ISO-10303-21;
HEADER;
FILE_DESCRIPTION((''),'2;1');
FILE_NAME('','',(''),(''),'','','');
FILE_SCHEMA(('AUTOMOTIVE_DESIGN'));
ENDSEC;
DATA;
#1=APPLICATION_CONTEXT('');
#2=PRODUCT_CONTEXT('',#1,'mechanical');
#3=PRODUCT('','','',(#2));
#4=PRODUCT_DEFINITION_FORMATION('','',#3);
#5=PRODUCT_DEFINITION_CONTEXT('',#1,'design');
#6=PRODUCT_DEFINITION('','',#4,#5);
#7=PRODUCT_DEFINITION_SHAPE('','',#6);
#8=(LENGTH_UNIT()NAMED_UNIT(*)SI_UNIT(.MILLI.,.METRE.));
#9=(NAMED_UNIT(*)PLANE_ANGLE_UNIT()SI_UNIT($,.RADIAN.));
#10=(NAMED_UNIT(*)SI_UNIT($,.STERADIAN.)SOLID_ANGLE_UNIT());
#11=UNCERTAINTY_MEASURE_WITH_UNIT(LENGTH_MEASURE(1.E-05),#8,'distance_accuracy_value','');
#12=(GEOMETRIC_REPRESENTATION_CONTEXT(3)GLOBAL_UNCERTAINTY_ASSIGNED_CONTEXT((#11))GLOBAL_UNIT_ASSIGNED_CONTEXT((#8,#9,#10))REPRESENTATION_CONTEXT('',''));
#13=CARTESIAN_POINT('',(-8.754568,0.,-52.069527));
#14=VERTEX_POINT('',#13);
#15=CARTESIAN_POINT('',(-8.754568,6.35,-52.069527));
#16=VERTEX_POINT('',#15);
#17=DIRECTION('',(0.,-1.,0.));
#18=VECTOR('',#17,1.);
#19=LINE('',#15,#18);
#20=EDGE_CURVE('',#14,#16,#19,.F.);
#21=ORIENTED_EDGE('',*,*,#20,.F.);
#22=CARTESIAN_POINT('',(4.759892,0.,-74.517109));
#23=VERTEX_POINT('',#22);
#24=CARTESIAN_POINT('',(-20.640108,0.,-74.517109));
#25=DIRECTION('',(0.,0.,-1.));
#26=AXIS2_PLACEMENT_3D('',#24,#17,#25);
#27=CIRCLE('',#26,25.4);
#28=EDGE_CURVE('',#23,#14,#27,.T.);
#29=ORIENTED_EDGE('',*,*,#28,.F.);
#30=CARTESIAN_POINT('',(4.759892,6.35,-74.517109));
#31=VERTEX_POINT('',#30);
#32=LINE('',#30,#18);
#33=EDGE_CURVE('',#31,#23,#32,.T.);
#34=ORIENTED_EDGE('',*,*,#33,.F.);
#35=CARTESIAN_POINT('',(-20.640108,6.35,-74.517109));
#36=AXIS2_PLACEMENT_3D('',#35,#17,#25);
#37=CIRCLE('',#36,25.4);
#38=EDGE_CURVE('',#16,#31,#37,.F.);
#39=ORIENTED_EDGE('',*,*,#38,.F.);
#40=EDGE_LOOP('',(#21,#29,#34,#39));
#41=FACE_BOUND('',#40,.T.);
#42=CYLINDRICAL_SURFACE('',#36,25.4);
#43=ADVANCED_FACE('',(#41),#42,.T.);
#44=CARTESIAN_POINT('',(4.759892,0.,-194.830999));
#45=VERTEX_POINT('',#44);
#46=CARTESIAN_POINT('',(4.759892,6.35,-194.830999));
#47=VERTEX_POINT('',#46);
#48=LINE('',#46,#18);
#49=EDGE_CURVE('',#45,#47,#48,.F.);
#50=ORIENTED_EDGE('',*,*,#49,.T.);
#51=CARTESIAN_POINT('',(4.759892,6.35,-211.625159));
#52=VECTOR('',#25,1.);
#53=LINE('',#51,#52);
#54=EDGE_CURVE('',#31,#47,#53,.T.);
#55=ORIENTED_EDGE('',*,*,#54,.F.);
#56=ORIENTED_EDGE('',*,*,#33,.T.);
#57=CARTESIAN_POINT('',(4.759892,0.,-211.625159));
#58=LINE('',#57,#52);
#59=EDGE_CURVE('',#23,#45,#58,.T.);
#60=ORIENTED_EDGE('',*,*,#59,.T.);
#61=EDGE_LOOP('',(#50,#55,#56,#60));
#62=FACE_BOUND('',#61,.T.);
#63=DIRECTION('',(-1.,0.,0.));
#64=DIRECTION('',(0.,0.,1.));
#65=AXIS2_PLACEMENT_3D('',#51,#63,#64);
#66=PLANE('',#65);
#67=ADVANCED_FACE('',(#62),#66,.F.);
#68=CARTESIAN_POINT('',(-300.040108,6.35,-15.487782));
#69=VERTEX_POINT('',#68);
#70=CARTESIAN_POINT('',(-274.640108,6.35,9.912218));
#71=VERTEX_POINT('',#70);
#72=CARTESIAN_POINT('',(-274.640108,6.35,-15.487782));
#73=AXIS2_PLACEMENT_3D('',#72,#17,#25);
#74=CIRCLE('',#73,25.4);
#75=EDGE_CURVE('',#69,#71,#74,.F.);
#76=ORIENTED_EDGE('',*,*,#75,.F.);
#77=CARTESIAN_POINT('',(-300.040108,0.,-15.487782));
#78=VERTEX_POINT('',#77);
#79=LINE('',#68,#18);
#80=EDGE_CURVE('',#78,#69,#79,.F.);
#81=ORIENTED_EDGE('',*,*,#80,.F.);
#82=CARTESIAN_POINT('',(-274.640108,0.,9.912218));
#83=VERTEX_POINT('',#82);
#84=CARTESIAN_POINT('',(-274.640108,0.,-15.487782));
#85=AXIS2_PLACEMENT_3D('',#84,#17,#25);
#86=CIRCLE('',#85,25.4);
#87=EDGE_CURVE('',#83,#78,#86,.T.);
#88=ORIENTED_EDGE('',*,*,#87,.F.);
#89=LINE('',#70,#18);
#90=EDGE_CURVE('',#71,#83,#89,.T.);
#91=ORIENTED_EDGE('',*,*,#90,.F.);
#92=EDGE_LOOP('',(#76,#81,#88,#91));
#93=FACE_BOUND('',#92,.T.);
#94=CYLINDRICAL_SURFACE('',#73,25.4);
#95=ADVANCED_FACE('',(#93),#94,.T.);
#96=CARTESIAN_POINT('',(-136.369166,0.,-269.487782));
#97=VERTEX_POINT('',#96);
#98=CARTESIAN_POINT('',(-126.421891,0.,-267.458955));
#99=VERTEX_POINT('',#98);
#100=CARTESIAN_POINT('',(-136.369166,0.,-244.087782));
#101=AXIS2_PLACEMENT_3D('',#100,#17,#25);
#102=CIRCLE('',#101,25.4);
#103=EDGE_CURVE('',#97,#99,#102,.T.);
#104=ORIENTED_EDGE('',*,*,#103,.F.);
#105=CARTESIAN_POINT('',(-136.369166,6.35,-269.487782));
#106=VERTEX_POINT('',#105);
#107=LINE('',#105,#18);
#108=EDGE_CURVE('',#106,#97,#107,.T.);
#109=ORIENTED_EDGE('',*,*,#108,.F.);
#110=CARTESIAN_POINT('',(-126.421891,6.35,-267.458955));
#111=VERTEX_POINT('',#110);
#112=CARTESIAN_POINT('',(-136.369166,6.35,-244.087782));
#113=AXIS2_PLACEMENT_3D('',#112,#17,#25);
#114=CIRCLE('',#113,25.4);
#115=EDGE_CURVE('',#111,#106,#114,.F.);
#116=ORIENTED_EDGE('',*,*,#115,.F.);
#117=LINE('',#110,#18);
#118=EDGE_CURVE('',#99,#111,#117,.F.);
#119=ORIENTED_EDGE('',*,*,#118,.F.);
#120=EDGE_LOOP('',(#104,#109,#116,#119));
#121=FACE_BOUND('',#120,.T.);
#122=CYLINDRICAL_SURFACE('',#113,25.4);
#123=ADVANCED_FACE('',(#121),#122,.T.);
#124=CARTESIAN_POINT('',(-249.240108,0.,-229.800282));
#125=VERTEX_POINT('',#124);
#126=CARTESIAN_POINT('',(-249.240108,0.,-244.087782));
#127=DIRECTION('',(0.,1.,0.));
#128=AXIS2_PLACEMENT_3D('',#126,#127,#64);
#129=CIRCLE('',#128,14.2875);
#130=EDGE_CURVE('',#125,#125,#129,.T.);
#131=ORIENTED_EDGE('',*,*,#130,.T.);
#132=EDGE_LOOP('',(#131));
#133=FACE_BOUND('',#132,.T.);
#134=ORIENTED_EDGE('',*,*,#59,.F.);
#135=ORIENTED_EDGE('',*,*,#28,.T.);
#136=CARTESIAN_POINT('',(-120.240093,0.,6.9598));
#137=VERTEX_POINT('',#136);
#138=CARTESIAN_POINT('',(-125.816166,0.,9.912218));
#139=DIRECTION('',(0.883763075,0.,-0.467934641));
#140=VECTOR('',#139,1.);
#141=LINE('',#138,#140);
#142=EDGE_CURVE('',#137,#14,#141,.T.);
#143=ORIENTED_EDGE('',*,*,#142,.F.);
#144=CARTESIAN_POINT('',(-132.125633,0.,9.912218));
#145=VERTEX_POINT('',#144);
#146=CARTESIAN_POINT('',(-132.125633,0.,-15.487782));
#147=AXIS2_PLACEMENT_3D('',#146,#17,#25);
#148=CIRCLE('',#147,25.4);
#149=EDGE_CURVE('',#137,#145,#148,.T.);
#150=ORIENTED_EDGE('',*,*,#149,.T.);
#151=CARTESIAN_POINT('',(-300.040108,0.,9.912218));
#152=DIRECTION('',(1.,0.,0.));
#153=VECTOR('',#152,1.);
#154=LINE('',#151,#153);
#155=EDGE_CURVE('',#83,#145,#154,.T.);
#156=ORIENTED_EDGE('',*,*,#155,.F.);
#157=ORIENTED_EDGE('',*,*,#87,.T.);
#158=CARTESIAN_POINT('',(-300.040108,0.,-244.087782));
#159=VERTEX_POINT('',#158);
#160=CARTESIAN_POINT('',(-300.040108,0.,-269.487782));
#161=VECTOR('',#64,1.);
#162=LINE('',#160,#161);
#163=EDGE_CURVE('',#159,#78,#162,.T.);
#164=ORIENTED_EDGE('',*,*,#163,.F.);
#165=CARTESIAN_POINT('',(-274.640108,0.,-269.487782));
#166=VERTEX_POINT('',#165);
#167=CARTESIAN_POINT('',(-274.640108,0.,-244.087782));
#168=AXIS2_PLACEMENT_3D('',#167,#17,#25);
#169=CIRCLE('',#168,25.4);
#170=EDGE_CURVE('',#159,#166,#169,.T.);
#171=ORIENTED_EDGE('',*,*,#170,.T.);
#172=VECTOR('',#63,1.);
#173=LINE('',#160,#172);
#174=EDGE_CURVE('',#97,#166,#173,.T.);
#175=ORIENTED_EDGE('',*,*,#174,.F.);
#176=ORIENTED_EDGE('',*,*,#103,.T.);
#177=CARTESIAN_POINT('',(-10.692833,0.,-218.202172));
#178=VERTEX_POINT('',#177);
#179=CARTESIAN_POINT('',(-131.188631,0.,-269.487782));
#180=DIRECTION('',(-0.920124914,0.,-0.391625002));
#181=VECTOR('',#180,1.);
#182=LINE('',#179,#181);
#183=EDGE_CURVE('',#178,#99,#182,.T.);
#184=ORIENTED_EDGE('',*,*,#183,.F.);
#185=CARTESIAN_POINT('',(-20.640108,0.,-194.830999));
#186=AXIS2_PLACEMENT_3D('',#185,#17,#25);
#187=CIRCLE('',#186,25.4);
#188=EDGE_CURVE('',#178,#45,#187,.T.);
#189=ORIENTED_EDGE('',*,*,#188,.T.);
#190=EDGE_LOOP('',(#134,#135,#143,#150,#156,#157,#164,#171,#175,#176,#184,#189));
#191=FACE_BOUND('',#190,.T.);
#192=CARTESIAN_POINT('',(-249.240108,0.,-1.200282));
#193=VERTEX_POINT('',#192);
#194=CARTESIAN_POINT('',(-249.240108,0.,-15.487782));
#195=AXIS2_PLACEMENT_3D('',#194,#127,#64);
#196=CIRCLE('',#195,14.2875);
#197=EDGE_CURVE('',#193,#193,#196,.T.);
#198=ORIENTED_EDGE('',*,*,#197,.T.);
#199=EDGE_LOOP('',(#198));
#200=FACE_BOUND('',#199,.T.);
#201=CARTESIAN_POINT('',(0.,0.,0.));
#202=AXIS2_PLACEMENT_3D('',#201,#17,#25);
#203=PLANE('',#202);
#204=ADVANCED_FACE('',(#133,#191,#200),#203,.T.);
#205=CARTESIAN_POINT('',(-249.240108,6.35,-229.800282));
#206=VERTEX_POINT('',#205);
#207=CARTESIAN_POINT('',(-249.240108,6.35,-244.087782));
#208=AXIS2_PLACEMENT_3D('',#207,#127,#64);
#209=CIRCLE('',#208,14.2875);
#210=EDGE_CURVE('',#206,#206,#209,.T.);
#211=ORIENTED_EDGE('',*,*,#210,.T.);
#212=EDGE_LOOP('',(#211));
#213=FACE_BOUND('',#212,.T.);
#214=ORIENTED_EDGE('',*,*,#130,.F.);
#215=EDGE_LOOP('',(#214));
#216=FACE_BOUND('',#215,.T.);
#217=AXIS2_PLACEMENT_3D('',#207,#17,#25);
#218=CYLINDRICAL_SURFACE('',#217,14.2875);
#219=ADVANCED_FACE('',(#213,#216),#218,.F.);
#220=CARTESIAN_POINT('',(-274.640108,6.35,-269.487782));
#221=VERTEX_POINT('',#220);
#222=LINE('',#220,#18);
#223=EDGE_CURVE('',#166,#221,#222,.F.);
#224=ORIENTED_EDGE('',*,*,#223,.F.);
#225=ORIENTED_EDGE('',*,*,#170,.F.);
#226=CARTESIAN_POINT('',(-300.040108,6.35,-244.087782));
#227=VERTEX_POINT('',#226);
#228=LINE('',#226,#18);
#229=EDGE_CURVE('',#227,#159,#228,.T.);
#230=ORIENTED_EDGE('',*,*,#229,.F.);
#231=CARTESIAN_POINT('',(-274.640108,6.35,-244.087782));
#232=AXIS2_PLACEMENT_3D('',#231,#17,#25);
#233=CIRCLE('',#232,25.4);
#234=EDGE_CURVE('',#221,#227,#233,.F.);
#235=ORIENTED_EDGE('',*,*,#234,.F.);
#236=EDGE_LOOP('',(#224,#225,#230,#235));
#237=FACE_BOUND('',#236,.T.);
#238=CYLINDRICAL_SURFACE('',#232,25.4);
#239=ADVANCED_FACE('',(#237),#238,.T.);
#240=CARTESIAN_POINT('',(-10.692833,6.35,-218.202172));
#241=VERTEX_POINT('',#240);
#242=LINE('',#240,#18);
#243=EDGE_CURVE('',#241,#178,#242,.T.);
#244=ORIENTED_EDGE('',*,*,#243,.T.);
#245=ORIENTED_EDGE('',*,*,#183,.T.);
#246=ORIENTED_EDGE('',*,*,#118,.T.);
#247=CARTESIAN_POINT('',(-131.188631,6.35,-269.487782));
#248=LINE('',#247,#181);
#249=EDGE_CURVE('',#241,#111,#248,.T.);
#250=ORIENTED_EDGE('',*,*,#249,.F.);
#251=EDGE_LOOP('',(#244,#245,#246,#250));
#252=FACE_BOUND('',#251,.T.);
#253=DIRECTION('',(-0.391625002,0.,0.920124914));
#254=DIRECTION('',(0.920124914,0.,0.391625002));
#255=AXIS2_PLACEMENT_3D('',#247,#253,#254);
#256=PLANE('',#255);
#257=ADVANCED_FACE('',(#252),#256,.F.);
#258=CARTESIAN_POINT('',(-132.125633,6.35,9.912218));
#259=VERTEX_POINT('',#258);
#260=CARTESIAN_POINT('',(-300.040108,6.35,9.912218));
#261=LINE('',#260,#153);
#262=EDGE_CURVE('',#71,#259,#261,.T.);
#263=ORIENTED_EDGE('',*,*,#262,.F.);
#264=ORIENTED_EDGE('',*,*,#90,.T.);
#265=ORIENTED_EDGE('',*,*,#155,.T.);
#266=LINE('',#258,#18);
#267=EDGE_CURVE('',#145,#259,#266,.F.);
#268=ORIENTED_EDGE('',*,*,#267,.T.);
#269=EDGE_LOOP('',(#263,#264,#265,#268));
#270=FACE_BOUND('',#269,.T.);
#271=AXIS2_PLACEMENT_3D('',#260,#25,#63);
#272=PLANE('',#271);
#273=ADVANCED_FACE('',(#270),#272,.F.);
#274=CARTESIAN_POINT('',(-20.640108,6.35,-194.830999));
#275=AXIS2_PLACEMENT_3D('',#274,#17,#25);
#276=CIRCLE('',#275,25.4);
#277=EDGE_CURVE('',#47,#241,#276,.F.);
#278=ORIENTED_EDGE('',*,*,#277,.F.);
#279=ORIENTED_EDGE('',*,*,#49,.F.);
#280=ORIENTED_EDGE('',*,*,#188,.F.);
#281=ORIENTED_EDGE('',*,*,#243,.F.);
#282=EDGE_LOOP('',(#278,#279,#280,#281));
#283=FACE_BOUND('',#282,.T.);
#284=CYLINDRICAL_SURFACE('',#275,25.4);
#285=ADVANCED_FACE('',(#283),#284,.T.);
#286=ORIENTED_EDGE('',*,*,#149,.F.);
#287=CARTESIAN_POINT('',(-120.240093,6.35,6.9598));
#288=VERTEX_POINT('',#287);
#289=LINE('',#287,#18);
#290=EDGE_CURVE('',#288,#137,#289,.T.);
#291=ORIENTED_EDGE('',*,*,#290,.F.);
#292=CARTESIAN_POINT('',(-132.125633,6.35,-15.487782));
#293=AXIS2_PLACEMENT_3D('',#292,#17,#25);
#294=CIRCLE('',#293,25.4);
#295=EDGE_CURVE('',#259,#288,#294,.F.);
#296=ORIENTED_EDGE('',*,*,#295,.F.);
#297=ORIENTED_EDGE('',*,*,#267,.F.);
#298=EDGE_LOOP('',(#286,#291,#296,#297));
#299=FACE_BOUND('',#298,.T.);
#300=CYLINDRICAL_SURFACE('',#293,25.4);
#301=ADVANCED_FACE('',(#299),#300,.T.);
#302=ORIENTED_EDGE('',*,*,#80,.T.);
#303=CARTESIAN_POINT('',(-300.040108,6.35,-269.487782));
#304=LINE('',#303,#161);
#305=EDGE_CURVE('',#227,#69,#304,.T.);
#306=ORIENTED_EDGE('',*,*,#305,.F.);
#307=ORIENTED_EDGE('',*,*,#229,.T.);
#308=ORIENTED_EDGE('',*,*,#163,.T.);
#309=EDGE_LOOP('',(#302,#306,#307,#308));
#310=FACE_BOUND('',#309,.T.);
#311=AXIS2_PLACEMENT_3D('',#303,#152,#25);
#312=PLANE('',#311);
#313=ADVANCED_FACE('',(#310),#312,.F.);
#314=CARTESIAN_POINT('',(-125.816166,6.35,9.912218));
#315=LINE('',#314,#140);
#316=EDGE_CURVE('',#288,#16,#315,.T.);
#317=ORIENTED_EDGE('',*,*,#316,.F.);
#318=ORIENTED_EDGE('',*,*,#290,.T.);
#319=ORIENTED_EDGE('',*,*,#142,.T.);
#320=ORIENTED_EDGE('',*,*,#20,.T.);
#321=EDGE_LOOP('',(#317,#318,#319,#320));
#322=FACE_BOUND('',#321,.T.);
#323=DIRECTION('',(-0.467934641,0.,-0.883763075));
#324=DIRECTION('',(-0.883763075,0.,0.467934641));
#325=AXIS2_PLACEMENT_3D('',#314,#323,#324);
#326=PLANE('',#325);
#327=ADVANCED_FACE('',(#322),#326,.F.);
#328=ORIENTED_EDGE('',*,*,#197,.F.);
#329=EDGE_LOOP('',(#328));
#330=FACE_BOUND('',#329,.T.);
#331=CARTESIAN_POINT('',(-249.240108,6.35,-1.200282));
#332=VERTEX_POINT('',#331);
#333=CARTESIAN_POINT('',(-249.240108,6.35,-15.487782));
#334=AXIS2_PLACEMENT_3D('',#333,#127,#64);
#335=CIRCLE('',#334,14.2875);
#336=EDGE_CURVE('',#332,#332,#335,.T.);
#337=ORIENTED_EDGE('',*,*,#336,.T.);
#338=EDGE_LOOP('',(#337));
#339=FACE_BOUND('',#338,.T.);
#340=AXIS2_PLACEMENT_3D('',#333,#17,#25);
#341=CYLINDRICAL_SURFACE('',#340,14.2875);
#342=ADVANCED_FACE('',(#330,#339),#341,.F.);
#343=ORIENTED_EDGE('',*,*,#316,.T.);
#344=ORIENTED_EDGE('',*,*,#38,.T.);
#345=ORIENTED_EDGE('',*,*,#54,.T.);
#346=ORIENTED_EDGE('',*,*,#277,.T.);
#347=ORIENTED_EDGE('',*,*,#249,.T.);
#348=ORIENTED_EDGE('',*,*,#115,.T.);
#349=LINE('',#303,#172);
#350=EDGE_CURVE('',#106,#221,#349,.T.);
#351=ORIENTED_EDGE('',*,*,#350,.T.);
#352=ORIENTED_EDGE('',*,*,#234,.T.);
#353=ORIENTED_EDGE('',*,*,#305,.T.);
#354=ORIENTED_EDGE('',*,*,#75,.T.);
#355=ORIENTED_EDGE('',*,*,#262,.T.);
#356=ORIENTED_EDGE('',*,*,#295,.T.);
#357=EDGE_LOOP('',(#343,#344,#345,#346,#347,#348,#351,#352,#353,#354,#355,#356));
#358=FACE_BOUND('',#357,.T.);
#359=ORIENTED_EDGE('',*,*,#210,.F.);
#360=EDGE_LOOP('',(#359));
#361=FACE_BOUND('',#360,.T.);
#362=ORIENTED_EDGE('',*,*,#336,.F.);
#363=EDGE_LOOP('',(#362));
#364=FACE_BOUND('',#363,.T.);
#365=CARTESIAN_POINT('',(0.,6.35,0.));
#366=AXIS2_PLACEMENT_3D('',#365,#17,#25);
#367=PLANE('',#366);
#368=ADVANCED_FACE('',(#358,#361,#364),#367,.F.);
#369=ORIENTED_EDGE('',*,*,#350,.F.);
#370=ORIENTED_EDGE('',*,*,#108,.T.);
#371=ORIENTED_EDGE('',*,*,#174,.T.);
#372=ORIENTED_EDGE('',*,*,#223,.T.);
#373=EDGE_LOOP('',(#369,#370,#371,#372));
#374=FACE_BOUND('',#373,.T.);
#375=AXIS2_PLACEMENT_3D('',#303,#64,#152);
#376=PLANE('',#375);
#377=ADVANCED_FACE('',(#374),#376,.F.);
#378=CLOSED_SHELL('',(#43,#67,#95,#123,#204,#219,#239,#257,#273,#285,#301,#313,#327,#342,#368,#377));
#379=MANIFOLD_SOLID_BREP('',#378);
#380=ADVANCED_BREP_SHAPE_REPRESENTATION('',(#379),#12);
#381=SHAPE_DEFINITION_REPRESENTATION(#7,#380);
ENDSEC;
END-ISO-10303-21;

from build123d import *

# Parameters (mm, degrees)
SKETCH1_R           = 14.2875
BOSS_EXTRUDE4_DEPTH = 6.35
FILLET3_R           = 25.4


with BuildPart() as part:
    # Sketch1 → Boss-Extrude4 (new body)
    with BuildSketch(Plane(origin=(0, 0, 0), x_dir=(1, 0, 0), z_dir=(0, 1, 0))):
        Polygon((-125.816166367, -9.912218002), (4.759892389, 59.225159329), (4.759892389, 211.625159329), (-131.188630818, 269.487781998), (-300.040107611, 269.487781998), (-300.040107611, -9.912218002), align=None)
        with Locations((-249.240107611, 244.087781998)):
            Circle(SKETCH1_R, mode=Mode.SUBTRACT)
        with Locations((-249.240107611, 15.487781998)):
            Circle(SKETCH1_R, mode=Mode.SUBTRACT)
    extrude(amount=BOSS_EXTRUDE4_DEPTH)

    # Fillet3
    fillet3_edges = [part.edges().sort_by_distance(p)[0] for p in [
        (-300.040107611, 3.175, 9.912218002),
        (-300.040107611, 3.175, -269.487781998),
        (-131.188630818, 3.175, -269.487781998),
        (4.759892389, 3.175, -211.625159329),
        (4.759892389, 3.175, -59.225159329),
        (-125.816166367, 3.175, 9.912218002),
    ]]
    fillet(fillet3_edges, radius=FILLET3_R)


solid = part.part
